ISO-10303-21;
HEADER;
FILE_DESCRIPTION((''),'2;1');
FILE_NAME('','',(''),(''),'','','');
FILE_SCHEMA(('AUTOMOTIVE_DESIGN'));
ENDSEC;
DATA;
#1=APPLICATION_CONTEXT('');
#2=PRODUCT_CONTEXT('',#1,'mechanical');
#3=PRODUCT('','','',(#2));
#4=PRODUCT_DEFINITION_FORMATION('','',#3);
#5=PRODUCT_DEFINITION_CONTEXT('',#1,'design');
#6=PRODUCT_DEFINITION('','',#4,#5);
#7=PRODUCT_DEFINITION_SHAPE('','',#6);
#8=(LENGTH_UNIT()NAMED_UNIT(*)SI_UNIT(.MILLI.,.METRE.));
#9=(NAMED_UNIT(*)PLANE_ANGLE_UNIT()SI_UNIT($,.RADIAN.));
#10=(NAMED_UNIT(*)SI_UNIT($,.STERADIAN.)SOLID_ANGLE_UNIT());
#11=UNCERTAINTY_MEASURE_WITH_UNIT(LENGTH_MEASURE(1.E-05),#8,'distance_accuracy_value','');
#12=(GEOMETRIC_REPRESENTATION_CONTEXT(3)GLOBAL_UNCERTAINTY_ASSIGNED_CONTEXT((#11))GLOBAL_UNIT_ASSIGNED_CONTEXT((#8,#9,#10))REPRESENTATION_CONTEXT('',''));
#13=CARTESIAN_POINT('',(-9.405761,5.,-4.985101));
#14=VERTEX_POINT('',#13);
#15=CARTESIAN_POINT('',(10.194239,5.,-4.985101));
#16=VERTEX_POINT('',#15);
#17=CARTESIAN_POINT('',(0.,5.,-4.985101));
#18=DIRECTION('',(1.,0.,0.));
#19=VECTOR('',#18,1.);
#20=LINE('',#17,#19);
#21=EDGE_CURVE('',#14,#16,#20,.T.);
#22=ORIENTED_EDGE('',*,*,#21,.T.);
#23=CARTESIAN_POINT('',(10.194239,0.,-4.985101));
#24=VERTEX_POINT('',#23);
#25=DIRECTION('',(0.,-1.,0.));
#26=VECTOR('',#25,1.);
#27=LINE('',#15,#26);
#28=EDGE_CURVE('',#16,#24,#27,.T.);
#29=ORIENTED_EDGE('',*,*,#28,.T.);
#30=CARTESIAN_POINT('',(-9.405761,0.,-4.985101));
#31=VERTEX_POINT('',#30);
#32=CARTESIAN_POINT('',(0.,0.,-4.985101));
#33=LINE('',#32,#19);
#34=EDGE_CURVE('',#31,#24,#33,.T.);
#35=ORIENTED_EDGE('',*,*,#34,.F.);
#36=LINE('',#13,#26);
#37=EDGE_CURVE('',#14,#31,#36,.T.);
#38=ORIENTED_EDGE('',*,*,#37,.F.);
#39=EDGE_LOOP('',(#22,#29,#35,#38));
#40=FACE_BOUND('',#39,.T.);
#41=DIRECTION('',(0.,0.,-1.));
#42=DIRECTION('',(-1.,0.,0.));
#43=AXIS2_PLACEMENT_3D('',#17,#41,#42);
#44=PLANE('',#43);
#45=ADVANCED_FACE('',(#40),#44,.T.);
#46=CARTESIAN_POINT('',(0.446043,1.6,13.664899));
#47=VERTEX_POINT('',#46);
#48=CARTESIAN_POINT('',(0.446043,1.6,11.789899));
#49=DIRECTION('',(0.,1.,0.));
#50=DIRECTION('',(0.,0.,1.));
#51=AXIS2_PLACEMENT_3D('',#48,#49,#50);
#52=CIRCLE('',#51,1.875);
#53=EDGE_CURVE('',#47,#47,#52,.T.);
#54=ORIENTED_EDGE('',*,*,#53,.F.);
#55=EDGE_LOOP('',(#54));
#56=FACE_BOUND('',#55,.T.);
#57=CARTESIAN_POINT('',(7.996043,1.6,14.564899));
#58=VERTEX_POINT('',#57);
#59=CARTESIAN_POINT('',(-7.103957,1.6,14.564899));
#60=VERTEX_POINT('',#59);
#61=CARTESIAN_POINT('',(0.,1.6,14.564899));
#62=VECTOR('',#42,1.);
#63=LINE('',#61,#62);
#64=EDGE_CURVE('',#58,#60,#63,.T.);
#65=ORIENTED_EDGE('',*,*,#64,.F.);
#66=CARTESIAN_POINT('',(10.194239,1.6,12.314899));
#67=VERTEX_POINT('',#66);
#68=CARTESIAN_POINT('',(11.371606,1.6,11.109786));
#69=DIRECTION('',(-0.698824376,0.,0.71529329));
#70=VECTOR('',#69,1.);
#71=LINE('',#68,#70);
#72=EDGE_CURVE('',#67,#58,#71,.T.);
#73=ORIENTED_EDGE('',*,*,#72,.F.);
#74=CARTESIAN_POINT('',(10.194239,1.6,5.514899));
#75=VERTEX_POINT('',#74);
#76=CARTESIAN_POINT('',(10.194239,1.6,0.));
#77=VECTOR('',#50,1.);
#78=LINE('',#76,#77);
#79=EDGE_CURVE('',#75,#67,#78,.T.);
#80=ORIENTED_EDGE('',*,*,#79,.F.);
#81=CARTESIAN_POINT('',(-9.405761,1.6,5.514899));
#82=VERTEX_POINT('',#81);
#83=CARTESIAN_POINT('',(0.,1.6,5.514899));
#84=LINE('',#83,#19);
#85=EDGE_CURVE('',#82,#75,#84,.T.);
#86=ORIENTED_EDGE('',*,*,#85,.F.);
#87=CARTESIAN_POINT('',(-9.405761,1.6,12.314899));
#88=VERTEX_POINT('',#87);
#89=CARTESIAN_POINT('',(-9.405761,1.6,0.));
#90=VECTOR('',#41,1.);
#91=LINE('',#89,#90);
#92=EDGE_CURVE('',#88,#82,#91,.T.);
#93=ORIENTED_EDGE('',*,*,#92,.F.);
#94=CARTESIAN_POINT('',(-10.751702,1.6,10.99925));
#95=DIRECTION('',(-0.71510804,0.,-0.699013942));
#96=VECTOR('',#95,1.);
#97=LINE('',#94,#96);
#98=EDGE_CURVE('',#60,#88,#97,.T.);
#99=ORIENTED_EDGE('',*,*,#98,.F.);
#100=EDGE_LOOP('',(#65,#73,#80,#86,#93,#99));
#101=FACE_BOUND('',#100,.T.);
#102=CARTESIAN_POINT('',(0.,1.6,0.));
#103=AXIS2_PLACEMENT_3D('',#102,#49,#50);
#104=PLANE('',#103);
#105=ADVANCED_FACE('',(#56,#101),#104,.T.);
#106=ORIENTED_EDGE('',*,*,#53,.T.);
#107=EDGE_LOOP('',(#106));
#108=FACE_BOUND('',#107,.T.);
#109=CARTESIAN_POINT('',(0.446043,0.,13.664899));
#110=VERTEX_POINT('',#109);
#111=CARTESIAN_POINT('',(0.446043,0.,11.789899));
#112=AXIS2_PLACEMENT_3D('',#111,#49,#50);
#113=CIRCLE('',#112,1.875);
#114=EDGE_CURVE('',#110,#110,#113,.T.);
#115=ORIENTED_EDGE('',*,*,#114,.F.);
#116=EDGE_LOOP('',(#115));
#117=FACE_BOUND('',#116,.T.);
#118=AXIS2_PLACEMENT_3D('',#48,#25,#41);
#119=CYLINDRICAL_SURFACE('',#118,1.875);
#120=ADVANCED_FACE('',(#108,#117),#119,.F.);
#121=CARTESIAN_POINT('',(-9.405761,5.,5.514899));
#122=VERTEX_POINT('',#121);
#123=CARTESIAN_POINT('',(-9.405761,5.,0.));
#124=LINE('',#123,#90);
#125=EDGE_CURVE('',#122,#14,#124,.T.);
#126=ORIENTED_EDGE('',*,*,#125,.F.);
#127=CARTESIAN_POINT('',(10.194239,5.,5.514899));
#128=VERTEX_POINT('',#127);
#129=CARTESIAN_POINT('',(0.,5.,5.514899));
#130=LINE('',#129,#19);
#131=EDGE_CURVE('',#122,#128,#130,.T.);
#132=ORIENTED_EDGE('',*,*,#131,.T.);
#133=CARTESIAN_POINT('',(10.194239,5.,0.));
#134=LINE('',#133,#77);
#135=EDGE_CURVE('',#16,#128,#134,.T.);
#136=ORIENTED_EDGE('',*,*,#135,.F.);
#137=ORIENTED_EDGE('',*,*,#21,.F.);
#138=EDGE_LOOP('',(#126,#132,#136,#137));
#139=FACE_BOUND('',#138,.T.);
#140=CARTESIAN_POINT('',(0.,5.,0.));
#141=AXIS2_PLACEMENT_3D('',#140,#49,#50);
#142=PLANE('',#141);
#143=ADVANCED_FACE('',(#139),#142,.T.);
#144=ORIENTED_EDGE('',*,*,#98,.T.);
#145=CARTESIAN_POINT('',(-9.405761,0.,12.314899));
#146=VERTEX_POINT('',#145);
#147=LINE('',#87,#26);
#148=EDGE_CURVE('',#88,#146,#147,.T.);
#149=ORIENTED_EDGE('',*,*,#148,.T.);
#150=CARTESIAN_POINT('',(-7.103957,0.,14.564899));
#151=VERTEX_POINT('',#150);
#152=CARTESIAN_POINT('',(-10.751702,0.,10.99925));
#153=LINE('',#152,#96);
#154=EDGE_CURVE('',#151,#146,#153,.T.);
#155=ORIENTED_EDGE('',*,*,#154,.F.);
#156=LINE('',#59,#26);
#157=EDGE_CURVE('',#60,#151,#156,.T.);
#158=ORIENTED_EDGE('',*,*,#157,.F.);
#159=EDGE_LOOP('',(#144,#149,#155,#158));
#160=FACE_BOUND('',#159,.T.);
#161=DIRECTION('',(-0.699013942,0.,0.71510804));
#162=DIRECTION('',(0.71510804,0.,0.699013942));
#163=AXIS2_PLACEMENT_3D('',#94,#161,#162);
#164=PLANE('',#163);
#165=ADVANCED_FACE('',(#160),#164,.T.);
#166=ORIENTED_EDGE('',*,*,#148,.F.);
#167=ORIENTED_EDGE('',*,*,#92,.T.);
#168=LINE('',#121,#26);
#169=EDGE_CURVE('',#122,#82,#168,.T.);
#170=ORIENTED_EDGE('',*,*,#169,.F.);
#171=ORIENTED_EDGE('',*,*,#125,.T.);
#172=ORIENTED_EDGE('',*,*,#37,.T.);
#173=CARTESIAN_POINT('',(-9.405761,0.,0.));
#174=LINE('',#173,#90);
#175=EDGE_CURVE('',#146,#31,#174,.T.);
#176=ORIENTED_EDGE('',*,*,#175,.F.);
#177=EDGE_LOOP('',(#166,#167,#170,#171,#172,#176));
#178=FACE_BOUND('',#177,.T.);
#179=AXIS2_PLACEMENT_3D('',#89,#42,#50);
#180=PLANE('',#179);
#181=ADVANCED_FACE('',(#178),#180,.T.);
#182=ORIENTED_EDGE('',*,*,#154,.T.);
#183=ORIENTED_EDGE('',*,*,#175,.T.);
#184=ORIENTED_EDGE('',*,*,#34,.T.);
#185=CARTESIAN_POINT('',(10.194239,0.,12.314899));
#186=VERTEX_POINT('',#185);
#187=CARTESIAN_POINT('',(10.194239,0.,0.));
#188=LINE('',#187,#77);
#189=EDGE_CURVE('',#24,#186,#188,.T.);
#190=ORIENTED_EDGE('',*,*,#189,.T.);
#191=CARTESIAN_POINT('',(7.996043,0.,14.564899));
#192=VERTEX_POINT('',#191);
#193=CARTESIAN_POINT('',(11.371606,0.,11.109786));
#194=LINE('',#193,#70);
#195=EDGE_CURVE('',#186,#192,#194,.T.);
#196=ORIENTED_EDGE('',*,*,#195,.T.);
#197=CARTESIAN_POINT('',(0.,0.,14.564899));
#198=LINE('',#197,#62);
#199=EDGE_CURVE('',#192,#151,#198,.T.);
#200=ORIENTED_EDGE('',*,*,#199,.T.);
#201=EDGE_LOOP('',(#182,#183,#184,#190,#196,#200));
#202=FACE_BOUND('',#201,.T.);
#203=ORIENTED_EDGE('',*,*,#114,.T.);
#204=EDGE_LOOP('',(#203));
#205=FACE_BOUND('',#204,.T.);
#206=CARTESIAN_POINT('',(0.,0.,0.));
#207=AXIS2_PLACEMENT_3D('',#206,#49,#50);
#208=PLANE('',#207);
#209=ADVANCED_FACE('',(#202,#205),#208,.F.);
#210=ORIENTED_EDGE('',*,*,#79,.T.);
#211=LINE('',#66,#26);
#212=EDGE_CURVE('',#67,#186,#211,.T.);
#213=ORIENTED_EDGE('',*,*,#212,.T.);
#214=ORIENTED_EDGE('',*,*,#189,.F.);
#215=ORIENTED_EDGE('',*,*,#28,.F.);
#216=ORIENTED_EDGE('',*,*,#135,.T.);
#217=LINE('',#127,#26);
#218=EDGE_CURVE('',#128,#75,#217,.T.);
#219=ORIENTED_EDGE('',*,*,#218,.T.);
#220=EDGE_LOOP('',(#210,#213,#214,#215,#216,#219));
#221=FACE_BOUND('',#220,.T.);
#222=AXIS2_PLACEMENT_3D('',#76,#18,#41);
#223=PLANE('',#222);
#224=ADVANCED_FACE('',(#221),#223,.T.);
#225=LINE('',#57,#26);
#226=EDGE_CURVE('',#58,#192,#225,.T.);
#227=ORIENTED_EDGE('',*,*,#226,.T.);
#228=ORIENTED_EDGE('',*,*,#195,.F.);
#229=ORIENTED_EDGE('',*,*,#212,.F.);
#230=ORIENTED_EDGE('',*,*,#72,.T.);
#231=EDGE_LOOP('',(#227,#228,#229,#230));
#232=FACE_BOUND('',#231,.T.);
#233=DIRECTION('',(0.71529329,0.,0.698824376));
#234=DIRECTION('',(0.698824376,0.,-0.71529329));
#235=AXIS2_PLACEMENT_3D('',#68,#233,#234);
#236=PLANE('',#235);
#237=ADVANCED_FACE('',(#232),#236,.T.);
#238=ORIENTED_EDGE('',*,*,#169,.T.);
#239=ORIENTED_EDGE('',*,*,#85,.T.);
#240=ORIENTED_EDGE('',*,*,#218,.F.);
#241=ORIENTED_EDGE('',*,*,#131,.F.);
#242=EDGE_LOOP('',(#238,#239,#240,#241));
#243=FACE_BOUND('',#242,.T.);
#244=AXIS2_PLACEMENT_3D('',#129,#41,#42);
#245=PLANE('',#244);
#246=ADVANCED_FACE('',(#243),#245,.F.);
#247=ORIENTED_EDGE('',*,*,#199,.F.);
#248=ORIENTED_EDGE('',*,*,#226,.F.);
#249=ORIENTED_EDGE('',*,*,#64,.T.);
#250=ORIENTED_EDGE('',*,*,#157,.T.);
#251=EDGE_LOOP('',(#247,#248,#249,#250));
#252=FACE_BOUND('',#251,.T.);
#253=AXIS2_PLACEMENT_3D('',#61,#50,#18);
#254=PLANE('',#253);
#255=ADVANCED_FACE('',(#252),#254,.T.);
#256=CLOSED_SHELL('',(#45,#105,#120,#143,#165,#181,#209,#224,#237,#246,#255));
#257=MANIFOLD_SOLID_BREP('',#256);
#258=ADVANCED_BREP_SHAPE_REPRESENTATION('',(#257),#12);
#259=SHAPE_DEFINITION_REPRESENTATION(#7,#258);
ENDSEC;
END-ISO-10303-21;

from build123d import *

# Parameters (mm, degrees)
SKETCH_1_R      = 1.875
EXTRUDE_1_DEPTH = 1.6
SKETCH_1_3_W    = 19.6
SKETCH_1_3_H    = 10.5
EXTRUDE_2_DEPTH = 5


with BuildPart() as part:
    # 草图1 → 凸台-拉伸1 (new body)
    with BuildSketch(Plane(origin=(0, 0, 0), x_dir=(1, 0, 0), z_dir=(0, 1, 0))):
        Polygon((-9.405761269, -5.514899143), (-9.405761269, -12.314899143), (-7.103957265, -14.564899143), (7.996042735, -14.564899143), (10.194238731, -12.314899143), (10.194238731, -5.514899143), align=None)
        with Locations((0.446042735, -11.789899143)):
            Circle(SKETCH_1_R, mode=Mode.SUBTRACT)
    extrude(amount=EXTRUDE_1_DEPTH)

    # 草图1<3> → 凸台-拉伸2 (add)
    with BuildSketch(Plane(origin=(0, 0, 0), x_dir=(1, 0, 0), z_dir=(0, 1, 0))):
        with Locations((0.394238731, -0.264899143)):
            Rectangle(SKETCH_1_3_W, SKETCH_1_3_H)
    extrude(amount=EXTRUDE_2_DEPTH)


solid = part.part
